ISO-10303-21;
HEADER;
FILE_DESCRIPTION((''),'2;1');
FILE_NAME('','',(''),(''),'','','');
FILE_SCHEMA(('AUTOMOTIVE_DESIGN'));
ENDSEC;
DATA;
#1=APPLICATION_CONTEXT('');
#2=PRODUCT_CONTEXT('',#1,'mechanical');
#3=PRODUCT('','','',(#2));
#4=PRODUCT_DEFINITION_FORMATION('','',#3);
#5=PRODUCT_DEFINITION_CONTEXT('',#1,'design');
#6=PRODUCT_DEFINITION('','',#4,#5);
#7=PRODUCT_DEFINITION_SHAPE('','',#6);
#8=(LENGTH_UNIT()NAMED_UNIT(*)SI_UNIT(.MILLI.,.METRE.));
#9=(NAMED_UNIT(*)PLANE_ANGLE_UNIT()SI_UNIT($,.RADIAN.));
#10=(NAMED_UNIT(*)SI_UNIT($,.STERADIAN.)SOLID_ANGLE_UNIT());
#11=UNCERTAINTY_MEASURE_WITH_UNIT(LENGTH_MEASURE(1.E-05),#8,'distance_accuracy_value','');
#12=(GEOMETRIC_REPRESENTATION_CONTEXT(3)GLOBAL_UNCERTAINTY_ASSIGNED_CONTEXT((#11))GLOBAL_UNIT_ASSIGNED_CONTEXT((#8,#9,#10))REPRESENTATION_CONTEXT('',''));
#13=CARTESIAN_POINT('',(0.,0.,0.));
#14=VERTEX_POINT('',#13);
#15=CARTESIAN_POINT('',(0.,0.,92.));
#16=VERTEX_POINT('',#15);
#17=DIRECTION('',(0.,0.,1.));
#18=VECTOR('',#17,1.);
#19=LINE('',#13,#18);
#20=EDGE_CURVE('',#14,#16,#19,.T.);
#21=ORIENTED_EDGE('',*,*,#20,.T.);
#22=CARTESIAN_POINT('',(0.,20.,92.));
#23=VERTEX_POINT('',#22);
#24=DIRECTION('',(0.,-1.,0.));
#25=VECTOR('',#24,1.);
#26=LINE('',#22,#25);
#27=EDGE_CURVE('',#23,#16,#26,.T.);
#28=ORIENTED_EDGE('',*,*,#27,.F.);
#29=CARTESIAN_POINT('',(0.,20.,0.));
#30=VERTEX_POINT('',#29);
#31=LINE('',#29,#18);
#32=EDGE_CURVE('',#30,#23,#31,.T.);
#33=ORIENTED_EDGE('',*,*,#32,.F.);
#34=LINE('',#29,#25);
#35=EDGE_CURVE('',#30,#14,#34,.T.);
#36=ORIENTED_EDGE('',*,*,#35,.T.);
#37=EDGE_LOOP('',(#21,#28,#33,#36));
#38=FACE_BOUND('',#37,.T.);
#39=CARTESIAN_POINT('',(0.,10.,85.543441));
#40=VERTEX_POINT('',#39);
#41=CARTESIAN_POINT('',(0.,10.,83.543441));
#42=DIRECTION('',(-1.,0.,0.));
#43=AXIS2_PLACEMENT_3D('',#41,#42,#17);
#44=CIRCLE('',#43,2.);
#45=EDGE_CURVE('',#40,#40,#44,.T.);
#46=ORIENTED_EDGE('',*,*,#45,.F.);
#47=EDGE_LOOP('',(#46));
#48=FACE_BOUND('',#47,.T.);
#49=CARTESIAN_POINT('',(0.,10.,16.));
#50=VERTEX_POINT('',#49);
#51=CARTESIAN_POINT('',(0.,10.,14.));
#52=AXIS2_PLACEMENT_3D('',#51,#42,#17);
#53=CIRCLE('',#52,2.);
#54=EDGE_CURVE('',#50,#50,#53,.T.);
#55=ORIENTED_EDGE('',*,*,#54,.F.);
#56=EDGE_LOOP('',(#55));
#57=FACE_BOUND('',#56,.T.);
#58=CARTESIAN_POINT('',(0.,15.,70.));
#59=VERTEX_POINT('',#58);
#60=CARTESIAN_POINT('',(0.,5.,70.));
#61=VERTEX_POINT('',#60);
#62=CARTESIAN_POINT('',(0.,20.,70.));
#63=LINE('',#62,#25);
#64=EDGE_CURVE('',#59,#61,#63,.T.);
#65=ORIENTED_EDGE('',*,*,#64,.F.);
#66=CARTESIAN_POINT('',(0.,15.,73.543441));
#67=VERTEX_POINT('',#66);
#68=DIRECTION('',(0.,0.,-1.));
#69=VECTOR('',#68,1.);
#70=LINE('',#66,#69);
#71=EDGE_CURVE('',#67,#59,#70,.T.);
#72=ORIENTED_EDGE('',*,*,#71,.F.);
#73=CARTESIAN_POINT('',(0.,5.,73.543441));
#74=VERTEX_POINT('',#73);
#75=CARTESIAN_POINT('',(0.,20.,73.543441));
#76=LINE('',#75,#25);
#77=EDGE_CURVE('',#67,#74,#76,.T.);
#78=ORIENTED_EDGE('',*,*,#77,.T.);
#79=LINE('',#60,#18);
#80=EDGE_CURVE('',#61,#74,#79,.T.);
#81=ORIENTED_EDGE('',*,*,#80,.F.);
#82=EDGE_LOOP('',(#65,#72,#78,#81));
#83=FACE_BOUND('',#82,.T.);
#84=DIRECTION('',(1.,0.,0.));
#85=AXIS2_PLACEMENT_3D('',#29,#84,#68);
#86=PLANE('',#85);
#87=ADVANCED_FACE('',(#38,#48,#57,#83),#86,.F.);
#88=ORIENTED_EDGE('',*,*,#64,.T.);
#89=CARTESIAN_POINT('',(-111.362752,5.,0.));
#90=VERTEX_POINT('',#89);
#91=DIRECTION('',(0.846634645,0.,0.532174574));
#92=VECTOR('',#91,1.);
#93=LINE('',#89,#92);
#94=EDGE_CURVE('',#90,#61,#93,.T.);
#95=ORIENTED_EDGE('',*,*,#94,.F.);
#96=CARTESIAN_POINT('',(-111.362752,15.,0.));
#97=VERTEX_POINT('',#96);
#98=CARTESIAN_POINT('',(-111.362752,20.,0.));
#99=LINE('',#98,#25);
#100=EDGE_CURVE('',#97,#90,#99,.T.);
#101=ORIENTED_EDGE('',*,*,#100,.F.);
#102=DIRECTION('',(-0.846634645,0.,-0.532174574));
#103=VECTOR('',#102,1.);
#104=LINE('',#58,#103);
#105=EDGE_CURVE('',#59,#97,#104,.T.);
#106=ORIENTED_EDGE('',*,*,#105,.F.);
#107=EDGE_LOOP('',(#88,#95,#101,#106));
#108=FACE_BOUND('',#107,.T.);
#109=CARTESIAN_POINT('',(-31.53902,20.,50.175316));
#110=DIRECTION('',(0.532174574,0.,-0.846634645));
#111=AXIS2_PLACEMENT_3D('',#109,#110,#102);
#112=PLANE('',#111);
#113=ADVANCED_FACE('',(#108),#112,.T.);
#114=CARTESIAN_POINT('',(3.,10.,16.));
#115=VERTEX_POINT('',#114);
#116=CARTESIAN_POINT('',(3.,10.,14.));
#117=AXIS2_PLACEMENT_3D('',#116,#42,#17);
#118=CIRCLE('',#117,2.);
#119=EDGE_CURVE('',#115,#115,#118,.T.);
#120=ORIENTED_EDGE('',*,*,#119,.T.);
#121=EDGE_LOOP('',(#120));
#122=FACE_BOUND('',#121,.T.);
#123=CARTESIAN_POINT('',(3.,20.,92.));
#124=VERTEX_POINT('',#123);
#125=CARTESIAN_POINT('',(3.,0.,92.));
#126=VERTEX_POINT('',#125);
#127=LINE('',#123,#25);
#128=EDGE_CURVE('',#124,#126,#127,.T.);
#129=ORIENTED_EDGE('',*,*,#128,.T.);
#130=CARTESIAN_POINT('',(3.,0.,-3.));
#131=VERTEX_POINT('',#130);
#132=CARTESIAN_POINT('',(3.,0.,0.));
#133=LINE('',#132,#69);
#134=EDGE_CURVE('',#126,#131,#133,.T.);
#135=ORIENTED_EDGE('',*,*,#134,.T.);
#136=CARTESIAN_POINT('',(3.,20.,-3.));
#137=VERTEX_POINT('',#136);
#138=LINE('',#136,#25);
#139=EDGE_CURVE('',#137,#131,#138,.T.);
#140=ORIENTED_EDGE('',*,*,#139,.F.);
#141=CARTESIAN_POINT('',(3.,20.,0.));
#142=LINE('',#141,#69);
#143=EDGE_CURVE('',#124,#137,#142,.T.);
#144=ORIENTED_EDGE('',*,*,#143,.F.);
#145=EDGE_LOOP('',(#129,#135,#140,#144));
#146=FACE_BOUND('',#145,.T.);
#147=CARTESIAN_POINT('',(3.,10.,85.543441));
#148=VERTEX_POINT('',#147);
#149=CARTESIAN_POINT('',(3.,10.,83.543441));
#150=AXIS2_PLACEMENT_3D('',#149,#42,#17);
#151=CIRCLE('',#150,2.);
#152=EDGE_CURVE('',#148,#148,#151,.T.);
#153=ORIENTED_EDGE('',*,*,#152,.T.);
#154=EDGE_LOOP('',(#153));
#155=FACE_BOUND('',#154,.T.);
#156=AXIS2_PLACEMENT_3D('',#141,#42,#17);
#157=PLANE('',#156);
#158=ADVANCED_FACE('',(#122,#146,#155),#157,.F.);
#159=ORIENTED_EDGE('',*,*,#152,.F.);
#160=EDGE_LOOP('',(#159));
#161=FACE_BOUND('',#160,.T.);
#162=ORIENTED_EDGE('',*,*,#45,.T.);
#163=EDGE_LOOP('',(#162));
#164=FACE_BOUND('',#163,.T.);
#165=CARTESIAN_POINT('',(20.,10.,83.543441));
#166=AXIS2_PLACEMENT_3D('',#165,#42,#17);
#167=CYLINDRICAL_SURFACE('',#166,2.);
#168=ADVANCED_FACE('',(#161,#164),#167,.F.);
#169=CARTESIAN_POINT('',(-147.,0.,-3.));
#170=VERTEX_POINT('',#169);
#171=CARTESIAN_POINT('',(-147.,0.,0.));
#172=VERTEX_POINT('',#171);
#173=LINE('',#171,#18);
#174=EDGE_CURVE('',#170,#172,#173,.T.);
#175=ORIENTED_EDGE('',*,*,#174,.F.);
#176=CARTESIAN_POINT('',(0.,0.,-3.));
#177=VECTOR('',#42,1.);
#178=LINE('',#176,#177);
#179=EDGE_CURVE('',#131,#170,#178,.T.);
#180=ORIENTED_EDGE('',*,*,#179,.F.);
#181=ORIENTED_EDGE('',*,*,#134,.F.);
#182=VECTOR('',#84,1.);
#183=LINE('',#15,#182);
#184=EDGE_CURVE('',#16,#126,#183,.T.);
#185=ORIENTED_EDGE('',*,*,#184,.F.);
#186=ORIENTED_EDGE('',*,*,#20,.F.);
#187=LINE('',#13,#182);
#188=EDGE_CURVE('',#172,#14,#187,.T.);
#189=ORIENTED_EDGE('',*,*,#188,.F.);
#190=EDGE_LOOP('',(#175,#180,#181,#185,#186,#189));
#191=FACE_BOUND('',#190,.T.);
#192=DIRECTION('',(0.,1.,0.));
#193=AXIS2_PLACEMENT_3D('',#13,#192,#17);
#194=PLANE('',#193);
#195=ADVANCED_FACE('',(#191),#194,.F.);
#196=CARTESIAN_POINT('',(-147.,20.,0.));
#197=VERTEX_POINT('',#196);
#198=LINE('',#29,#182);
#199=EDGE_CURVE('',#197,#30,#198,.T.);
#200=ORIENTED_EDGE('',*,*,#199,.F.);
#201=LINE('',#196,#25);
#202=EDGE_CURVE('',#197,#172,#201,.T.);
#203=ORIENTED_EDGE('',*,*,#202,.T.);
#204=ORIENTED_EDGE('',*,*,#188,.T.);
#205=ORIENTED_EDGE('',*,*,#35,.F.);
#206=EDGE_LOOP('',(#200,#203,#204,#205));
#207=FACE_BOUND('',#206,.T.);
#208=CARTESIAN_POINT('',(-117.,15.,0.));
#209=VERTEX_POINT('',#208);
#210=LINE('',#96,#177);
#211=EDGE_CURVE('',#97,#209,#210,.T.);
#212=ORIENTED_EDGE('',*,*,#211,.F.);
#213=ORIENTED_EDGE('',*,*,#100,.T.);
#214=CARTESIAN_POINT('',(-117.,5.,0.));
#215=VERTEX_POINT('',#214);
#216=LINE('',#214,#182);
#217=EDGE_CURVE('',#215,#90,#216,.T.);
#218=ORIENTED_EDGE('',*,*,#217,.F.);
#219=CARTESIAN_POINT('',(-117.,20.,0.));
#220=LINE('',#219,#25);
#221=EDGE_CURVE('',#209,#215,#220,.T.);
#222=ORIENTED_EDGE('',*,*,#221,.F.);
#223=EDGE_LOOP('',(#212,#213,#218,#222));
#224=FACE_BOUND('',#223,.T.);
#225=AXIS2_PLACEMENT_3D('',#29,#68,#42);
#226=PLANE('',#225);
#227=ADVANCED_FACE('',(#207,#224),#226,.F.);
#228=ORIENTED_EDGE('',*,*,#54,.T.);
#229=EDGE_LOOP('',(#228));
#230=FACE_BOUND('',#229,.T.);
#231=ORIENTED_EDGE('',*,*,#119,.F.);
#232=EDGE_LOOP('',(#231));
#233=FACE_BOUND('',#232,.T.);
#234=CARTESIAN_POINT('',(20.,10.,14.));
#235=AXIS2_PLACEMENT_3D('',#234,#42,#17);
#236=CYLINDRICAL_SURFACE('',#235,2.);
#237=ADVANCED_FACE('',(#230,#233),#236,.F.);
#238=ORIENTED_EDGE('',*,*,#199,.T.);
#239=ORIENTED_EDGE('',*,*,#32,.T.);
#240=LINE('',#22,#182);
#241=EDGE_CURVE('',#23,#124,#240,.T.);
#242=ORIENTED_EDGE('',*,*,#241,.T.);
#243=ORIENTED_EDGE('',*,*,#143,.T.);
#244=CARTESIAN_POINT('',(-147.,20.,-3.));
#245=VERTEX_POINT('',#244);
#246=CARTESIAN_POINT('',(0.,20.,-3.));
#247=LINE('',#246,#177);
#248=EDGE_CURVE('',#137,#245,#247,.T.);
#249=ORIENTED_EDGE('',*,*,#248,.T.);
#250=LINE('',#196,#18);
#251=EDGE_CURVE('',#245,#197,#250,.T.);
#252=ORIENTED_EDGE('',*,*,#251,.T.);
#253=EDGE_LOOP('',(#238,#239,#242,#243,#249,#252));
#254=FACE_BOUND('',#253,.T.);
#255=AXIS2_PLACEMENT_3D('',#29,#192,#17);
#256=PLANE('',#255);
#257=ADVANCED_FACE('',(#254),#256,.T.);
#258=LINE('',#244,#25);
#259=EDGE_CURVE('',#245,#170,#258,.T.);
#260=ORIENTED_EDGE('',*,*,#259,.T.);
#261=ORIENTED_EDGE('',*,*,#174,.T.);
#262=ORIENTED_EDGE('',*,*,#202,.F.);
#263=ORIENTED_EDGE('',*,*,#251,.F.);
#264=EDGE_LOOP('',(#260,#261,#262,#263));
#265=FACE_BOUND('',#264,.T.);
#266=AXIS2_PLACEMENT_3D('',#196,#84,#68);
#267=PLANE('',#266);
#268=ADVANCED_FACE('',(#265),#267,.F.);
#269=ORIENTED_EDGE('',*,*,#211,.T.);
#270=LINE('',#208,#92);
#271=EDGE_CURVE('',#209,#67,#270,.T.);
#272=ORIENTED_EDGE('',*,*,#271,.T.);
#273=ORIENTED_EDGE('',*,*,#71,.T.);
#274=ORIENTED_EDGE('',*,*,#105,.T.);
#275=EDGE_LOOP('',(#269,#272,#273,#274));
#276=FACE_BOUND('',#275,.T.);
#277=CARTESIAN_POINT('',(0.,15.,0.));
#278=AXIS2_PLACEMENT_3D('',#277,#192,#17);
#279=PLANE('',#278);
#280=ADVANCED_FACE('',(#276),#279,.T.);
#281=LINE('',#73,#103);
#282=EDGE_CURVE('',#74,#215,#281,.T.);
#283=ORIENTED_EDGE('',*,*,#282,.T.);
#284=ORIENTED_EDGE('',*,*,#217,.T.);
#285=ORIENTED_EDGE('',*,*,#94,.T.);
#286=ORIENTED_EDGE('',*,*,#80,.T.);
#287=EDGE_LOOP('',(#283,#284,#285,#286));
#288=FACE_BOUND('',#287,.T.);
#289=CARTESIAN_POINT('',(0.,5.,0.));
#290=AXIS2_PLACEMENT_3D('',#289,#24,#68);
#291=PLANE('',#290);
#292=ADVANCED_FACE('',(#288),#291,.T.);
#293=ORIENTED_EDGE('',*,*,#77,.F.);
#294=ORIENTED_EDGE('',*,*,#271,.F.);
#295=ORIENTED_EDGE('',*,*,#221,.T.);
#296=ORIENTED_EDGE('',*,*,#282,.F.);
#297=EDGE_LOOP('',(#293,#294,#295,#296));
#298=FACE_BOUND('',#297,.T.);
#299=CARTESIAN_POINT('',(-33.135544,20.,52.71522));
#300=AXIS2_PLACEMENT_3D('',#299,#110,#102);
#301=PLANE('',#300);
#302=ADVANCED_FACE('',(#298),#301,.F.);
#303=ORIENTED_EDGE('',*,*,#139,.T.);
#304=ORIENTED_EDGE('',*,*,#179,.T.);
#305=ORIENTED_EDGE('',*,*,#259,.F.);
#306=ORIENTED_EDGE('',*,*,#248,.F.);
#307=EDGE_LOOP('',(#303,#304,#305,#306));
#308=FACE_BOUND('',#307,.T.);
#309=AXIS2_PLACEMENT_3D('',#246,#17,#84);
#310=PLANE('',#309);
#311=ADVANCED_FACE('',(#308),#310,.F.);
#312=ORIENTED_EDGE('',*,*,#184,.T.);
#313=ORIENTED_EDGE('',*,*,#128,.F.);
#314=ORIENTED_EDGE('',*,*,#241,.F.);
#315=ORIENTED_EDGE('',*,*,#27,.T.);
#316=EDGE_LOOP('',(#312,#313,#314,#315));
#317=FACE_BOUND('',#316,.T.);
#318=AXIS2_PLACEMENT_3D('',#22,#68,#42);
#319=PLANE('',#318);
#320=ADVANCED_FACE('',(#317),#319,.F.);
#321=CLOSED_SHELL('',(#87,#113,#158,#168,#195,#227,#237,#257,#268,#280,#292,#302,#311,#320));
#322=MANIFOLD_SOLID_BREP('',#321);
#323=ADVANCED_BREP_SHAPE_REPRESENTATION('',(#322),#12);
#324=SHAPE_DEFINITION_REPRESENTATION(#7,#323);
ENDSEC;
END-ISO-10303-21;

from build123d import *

# Parameters (mm, degrees)
SALIENTE_EXTRUIR1_DEPTH = 20
CROQUIS2_R              = 2
CORTAR_EXTRUIR1_DEPTH   = 20
CORTAR_EXTRUIR2_DEPTH   = 5
CORTAR_EXTRUIR3_DEPTH   = 5


with BuildPart() as part:
    # Croquis1 → Saliente-Extruir1 (new body)
    with BuildSketch(Plane(origin=(0, 0, 0), x_dir=(1, 0, 0), z_dir=(0, 1, 0))):
        Polygon((3, -92), (3, 3), (-147, 3), (-147, 0), (0, 0), (0, -92), align=None)
        Polygon((-111.362752101, 0), (-117, 0), (0, -73.543441101), (0, -70), align=None)
    extrude(amount=SALIENTE_EXTRUIR1_DEPTH)

    # Croquis2 → Cortar-Extruir1 (cut)
    with BuildSketch(Plane.ZY):
        with Locations((83.543441101, 10)):
            Circle(CROQUIS2_R)
        with Locations((14, 10)):
            Circle(CROQUIS2_R)
    extrude(amount=-CORTAR_EXTRUIR1_DEPTH, mode=Mode.SUBTRACT)

    # Croquis3 → Cortar-Extruir2 (cut)
    with BuildSketch(Plane.XZ):
        Polygon((0, 70), (0, 73.543441101), (-117, 0), (-111.362752101, 0), align=None)
    extrude(amount=-CORTAR_EXTRUIR2_DEPTH, mode=Mode.SUBTRACT)

    # Croquis4 → Cortar-Extruir3 (cut)
    with BuildSketch(Plane(origin=(0, 20, 0), x_dir=(1, 0, 0), z_dir=(0, 1, 0))):
        Polygon((0, -73.543441101), (0, -70), (-111.362752101, 0), (-117, 0), align=None)
    extrude(amount=-CORTAR_EXTRUIR3_DEPTH, mode=Mode.SUBTRACT)


solid = part.part
